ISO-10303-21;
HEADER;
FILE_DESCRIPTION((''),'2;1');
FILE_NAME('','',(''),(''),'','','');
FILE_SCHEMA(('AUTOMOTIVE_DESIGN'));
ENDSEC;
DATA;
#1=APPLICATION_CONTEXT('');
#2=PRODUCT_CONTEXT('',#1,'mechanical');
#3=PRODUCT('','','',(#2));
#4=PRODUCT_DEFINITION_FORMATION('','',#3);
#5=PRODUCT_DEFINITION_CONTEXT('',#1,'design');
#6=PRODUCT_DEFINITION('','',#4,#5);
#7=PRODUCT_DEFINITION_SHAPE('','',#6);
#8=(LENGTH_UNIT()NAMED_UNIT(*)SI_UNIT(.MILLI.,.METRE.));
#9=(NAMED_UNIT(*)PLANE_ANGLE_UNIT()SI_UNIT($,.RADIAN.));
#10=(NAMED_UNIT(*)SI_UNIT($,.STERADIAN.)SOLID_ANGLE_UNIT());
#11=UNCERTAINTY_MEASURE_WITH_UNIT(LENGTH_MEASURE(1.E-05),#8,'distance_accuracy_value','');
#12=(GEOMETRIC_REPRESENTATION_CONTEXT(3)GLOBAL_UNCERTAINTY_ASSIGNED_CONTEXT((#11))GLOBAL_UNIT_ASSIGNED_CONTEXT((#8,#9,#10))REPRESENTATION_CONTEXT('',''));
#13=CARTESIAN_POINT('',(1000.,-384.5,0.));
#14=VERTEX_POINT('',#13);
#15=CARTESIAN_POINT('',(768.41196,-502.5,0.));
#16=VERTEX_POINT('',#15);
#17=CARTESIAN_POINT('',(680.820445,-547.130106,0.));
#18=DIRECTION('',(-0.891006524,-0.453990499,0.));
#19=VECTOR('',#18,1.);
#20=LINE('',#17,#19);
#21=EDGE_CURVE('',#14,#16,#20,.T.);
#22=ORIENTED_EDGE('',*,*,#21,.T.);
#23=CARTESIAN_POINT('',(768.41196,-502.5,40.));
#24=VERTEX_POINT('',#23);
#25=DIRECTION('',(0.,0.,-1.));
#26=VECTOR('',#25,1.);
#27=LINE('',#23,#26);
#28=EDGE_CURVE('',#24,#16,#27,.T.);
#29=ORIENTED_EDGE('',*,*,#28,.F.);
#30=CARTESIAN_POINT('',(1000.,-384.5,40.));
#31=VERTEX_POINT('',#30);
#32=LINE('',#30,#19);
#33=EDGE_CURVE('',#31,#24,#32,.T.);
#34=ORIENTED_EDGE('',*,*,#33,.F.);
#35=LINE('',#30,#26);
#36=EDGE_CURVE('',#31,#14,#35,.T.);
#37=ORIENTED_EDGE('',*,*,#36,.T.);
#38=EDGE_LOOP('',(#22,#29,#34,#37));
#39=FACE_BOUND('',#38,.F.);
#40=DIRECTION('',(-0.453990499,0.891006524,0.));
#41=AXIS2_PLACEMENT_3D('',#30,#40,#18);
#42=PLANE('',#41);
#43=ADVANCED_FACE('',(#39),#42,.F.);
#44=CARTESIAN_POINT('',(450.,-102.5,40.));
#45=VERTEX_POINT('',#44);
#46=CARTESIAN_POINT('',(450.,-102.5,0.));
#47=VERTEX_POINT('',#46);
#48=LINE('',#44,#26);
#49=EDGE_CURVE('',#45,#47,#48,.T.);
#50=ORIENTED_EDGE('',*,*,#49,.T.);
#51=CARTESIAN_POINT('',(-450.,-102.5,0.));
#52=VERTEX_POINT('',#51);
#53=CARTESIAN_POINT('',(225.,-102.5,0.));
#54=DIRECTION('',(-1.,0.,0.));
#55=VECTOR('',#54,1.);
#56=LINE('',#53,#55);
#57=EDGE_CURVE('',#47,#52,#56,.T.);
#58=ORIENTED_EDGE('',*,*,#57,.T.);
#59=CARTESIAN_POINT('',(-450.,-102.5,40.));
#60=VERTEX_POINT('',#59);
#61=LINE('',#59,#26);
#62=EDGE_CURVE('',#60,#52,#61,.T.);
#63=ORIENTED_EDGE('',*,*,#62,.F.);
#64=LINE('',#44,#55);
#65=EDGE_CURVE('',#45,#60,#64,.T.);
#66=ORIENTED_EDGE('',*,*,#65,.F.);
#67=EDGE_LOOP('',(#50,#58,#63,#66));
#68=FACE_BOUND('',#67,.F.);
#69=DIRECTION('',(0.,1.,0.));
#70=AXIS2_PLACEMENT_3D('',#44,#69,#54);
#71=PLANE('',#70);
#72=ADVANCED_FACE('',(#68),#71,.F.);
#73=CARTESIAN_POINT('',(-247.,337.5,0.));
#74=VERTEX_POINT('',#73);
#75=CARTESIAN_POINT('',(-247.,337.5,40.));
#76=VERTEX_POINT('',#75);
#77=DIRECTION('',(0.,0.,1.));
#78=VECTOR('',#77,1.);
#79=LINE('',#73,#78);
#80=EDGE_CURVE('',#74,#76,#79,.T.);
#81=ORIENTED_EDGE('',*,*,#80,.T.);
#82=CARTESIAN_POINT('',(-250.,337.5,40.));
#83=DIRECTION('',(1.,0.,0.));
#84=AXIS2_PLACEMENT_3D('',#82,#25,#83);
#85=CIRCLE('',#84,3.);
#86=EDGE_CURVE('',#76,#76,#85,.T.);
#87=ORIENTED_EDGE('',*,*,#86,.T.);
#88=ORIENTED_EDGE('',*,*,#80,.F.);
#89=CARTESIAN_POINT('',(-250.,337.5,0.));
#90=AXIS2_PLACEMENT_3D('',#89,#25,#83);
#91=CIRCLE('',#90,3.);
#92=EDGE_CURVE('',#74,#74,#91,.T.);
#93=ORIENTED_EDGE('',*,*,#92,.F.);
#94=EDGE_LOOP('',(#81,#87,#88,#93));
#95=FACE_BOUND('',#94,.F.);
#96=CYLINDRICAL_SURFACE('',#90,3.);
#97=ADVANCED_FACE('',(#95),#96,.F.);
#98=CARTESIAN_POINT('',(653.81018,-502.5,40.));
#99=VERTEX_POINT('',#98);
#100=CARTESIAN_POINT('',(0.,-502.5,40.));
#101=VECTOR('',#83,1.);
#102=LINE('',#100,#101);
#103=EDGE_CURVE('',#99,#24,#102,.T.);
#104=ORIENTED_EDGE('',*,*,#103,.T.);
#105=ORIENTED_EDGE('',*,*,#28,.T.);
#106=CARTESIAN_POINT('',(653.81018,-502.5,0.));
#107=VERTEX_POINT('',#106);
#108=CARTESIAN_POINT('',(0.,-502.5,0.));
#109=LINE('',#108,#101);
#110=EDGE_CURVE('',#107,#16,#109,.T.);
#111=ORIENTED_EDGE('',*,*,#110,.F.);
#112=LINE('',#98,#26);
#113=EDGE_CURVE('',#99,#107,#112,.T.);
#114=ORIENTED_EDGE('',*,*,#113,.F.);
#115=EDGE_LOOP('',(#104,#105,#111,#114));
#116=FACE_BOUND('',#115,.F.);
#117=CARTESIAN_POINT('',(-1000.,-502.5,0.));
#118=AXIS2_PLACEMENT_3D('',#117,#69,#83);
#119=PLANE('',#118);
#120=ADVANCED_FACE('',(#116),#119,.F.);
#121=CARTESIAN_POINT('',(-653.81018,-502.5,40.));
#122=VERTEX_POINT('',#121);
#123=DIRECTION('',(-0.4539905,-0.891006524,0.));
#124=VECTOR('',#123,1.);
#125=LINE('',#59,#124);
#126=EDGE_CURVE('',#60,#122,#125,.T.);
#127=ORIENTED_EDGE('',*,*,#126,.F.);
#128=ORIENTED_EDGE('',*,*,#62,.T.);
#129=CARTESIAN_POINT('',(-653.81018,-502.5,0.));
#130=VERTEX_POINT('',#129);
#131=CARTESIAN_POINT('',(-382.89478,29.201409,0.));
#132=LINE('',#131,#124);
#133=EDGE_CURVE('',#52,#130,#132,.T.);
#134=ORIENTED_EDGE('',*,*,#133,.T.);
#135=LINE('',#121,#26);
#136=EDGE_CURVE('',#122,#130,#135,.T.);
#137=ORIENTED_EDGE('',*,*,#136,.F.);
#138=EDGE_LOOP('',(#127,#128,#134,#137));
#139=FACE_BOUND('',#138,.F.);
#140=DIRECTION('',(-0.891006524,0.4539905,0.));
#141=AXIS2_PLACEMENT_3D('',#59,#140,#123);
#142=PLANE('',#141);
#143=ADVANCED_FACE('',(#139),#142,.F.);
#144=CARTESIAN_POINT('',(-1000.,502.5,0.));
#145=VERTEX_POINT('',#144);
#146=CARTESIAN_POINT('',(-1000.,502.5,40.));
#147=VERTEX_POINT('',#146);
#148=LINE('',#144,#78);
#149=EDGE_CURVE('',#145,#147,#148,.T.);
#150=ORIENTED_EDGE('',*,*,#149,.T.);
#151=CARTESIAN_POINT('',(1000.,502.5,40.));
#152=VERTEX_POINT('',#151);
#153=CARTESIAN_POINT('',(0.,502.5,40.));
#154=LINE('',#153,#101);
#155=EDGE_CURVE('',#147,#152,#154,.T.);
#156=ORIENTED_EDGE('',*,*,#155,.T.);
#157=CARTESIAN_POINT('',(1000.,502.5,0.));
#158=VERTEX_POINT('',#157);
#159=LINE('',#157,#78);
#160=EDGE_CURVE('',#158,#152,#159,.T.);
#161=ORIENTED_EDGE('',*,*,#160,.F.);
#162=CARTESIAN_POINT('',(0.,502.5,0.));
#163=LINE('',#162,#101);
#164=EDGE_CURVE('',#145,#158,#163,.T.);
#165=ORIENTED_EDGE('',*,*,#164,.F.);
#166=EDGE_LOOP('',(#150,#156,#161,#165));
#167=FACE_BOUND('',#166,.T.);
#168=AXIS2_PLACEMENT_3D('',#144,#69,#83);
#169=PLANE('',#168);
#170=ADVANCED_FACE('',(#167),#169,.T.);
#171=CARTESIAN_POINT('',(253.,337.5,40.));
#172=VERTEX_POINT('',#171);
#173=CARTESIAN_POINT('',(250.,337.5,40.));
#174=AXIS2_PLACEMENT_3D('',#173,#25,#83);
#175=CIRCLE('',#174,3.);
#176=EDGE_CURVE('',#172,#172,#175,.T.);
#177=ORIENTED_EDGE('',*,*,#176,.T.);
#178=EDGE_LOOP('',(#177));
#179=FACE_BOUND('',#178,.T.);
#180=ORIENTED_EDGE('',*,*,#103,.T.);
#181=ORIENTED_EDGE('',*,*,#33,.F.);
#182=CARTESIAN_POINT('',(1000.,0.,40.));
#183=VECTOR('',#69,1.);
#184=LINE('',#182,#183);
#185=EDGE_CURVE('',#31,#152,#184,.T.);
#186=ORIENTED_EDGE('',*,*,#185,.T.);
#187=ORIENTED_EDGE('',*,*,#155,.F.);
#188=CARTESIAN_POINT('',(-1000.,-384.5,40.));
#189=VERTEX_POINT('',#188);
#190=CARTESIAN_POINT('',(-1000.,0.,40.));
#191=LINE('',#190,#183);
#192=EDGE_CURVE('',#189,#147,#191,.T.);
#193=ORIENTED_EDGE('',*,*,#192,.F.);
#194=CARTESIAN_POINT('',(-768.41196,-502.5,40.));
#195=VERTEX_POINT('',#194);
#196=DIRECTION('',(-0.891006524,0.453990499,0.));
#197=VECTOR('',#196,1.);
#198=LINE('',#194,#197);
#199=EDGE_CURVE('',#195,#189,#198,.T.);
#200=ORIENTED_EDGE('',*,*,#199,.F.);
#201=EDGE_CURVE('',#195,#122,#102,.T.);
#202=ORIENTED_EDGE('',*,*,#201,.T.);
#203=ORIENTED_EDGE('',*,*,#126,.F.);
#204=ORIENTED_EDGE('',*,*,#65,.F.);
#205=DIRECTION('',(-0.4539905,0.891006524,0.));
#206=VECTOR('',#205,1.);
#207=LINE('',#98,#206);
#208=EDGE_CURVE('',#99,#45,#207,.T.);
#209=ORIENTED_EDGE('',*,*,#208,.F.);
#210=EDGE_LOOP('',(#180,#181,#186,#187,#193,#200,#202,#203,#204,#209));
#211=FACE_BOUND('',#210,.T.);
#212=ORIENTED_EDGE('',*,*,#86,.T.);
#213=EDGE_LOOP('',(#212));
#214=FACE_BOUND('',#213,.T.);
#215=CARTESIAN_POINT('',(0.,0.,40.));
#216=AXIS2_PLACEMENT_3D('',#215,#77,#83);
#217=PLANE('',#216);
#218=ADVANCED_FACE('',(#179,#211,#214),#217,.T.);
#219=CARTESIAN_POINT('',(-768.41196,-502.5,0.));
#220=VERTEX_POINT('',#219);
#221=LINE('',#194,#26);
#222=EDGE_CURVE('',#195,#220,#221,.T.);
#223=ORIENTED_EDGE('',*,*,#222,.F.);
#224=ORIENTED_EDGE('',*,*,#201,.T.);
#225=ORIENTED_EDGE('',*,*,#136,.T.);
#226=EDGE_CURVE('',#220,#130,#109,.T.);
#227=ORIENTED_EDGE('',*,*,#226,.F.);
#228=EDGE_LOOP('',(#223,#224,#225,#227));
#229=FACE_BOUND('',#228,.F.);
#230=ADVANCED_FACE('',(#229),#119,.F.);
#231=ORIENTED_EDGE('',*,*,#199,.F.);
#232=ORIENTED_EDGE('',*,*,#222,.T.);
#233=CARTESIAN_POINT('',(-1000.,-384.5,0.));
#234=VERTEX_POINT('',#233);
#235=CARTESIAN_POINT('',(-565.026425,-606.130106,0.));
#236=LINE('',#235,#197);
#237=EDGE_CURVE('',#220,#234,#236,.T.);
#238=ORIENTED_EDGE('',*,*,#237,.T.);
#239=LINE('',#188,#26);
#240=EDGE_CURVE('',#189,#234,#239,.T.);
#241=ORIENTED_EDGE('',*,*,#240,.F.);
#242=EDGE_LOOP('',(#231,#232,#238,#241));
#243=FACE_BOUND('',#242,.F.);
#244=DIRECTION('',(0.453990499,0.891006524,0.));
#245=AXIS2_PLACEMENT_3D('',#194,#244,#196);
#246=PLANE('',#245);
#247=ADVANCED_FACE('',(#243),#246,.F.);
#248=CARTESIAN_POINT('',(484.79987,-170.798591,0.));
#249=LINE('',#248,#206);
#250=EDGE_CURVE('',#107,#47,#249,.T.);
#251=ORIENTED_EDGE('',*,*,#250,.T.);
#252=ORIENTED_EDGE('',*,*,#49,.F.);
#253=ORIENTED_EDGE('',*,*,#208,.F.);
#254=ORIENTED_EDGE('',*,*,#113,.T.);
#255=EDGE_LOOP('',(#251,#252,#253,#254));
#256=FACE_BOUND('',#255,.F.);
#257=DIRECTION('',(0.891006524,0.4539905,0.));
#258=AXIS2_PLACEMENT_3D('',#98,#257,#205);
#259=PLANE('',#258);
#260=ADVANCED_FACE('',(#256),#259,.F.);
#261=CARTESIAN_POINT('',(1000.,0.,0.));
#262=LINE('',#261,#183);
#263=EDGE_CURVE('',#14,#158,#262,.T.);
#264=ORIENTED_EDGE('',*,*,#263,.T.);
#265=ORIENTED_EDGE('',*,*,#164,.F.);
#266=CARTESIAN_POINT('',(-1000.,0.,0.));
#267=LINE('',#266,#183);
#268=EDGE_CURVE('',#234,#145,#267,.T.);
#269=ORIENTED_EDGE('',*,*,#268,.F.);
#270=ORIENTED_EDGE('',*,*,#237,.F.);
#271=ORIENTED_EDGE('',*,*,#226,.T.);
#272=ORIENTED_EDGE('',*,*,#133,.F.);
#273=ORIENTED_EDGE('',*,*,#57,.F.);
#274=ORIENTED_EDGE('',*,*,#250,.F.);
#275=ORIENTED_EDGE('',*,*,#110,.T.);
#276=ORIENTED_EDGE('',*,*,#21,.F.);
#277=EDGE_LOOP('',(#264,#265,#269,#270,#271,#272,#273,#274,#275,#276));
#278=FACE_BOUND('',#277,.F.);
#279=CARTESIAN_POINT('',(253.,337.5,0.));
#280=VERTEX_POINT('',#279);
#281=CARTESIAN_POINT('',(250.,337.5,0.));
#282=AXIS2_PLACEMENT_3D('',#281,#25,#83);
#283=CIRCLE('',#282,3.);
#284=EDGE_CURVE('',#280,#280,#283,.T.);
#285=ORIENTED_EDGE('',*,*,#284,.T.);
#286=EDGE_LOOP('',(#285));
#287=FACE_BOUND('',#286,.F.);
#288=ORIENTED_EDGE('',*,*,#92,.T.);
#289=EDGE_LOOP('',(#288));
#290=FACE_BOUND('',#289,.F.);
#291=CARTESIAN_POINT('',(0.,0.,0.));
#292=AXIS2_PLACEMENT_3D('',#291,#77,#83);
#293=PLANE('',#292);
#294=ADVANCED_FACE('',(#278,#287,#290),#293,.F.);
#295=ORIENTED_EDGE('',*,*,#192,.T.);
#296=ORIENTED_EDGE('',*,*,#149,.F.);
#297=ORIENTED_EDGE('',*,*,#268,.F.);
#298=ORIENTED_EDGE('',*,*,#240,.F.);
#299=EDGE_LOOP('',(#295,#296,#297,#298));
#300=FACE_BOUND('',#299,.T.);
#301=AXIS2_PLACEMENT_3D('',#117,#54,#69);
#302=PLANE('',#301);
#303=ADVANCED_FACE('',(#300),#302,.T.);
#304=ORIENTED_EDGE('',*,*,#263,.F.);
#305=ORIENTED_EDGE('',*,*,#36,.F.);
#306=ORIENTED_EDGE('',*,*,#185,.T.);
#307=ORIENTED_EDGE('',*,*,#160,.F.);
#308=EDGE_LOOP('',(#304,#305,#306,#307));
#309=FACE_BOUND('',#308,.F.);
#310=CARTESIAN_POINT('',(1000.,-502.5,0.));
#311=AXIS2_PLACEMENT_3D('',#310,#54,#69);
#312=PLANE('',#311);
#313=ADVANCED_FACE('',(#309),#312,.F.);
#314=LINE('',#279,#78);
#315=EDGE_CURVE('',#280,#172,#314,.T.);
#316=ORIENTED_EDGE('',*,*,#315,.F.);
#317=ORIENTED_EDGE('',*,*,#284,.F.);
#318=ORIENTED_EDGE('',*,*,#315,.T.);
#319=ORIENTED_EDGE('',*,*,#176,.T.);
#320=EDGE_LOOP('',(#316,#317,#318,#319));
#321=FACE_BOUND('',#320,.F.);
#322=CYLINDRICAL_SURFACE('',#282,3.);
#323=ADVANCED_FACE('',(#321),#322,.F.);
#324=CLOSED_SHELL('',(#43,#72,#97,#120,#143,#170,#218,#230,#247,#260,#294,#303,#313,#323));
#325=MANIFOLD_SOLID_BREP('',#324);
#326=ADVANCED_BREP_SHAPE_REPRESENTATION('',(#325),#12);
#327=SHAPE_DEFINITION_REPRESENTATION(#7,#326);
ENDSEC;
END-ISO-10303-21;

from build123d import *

# Parameters (mm, degrees)
F0_W     = 2000
F0_H     = 1005
F1_DEPTH = 40
F3_DEPTH = 40.001
F5_R     = 3
F6_DEPTH = 40.001
F8_DEPTH = 40.001


with BuildPart() as f1:
    # F0 (on Top) → F1 (new body)
    with BuildSketch(Plane.XY):
        Rectangle(F0_W, F0_H)
    extrude(amount=F1_DEPTH)

    # F2 (on face) → F3 (cut, through all)
    with BuildSketch(Plane.XY.offset(40)):
        Polygon((-450, -102.5), (-653.81018, -502.5), (0, -502.5), (653.81018, -502.5), (450, -102.5), (0, -102.5), align=None)
    extrude(amount=-F3_DEPTH, mode=Mode.SUBTRACT)

    # F5 (on face) → F6 (cut, through all)
    with BuildSketch(Plane(origin=(0, 0, 0), x_dir=(1, 0, 0), z_dir=(0, 0, -1))):
        with Locations((-250, -337.5)):
            Circle(F5_R)
        with Locations((250, -337.5)):
            Circle(F5_R)
    extrude(amount=-F6_DEPTH, mode=Mode.SUBTRACT)

    # F7 (on face) → F8 (cut, through all)
    with BuildSketch(Plane.XY.offset(40)):
        Polygon((-768.41196, -502.5), (-1000, -384.5), (-1000, -502.5), align=None)
        Polygon((1000, -502.5), (1000, -384.5), (768.41196, -502.5), align=None)
    extrude(amount=-F8_DEPTH, mode=Mode.SUBTRACT)


solid = f1.part
